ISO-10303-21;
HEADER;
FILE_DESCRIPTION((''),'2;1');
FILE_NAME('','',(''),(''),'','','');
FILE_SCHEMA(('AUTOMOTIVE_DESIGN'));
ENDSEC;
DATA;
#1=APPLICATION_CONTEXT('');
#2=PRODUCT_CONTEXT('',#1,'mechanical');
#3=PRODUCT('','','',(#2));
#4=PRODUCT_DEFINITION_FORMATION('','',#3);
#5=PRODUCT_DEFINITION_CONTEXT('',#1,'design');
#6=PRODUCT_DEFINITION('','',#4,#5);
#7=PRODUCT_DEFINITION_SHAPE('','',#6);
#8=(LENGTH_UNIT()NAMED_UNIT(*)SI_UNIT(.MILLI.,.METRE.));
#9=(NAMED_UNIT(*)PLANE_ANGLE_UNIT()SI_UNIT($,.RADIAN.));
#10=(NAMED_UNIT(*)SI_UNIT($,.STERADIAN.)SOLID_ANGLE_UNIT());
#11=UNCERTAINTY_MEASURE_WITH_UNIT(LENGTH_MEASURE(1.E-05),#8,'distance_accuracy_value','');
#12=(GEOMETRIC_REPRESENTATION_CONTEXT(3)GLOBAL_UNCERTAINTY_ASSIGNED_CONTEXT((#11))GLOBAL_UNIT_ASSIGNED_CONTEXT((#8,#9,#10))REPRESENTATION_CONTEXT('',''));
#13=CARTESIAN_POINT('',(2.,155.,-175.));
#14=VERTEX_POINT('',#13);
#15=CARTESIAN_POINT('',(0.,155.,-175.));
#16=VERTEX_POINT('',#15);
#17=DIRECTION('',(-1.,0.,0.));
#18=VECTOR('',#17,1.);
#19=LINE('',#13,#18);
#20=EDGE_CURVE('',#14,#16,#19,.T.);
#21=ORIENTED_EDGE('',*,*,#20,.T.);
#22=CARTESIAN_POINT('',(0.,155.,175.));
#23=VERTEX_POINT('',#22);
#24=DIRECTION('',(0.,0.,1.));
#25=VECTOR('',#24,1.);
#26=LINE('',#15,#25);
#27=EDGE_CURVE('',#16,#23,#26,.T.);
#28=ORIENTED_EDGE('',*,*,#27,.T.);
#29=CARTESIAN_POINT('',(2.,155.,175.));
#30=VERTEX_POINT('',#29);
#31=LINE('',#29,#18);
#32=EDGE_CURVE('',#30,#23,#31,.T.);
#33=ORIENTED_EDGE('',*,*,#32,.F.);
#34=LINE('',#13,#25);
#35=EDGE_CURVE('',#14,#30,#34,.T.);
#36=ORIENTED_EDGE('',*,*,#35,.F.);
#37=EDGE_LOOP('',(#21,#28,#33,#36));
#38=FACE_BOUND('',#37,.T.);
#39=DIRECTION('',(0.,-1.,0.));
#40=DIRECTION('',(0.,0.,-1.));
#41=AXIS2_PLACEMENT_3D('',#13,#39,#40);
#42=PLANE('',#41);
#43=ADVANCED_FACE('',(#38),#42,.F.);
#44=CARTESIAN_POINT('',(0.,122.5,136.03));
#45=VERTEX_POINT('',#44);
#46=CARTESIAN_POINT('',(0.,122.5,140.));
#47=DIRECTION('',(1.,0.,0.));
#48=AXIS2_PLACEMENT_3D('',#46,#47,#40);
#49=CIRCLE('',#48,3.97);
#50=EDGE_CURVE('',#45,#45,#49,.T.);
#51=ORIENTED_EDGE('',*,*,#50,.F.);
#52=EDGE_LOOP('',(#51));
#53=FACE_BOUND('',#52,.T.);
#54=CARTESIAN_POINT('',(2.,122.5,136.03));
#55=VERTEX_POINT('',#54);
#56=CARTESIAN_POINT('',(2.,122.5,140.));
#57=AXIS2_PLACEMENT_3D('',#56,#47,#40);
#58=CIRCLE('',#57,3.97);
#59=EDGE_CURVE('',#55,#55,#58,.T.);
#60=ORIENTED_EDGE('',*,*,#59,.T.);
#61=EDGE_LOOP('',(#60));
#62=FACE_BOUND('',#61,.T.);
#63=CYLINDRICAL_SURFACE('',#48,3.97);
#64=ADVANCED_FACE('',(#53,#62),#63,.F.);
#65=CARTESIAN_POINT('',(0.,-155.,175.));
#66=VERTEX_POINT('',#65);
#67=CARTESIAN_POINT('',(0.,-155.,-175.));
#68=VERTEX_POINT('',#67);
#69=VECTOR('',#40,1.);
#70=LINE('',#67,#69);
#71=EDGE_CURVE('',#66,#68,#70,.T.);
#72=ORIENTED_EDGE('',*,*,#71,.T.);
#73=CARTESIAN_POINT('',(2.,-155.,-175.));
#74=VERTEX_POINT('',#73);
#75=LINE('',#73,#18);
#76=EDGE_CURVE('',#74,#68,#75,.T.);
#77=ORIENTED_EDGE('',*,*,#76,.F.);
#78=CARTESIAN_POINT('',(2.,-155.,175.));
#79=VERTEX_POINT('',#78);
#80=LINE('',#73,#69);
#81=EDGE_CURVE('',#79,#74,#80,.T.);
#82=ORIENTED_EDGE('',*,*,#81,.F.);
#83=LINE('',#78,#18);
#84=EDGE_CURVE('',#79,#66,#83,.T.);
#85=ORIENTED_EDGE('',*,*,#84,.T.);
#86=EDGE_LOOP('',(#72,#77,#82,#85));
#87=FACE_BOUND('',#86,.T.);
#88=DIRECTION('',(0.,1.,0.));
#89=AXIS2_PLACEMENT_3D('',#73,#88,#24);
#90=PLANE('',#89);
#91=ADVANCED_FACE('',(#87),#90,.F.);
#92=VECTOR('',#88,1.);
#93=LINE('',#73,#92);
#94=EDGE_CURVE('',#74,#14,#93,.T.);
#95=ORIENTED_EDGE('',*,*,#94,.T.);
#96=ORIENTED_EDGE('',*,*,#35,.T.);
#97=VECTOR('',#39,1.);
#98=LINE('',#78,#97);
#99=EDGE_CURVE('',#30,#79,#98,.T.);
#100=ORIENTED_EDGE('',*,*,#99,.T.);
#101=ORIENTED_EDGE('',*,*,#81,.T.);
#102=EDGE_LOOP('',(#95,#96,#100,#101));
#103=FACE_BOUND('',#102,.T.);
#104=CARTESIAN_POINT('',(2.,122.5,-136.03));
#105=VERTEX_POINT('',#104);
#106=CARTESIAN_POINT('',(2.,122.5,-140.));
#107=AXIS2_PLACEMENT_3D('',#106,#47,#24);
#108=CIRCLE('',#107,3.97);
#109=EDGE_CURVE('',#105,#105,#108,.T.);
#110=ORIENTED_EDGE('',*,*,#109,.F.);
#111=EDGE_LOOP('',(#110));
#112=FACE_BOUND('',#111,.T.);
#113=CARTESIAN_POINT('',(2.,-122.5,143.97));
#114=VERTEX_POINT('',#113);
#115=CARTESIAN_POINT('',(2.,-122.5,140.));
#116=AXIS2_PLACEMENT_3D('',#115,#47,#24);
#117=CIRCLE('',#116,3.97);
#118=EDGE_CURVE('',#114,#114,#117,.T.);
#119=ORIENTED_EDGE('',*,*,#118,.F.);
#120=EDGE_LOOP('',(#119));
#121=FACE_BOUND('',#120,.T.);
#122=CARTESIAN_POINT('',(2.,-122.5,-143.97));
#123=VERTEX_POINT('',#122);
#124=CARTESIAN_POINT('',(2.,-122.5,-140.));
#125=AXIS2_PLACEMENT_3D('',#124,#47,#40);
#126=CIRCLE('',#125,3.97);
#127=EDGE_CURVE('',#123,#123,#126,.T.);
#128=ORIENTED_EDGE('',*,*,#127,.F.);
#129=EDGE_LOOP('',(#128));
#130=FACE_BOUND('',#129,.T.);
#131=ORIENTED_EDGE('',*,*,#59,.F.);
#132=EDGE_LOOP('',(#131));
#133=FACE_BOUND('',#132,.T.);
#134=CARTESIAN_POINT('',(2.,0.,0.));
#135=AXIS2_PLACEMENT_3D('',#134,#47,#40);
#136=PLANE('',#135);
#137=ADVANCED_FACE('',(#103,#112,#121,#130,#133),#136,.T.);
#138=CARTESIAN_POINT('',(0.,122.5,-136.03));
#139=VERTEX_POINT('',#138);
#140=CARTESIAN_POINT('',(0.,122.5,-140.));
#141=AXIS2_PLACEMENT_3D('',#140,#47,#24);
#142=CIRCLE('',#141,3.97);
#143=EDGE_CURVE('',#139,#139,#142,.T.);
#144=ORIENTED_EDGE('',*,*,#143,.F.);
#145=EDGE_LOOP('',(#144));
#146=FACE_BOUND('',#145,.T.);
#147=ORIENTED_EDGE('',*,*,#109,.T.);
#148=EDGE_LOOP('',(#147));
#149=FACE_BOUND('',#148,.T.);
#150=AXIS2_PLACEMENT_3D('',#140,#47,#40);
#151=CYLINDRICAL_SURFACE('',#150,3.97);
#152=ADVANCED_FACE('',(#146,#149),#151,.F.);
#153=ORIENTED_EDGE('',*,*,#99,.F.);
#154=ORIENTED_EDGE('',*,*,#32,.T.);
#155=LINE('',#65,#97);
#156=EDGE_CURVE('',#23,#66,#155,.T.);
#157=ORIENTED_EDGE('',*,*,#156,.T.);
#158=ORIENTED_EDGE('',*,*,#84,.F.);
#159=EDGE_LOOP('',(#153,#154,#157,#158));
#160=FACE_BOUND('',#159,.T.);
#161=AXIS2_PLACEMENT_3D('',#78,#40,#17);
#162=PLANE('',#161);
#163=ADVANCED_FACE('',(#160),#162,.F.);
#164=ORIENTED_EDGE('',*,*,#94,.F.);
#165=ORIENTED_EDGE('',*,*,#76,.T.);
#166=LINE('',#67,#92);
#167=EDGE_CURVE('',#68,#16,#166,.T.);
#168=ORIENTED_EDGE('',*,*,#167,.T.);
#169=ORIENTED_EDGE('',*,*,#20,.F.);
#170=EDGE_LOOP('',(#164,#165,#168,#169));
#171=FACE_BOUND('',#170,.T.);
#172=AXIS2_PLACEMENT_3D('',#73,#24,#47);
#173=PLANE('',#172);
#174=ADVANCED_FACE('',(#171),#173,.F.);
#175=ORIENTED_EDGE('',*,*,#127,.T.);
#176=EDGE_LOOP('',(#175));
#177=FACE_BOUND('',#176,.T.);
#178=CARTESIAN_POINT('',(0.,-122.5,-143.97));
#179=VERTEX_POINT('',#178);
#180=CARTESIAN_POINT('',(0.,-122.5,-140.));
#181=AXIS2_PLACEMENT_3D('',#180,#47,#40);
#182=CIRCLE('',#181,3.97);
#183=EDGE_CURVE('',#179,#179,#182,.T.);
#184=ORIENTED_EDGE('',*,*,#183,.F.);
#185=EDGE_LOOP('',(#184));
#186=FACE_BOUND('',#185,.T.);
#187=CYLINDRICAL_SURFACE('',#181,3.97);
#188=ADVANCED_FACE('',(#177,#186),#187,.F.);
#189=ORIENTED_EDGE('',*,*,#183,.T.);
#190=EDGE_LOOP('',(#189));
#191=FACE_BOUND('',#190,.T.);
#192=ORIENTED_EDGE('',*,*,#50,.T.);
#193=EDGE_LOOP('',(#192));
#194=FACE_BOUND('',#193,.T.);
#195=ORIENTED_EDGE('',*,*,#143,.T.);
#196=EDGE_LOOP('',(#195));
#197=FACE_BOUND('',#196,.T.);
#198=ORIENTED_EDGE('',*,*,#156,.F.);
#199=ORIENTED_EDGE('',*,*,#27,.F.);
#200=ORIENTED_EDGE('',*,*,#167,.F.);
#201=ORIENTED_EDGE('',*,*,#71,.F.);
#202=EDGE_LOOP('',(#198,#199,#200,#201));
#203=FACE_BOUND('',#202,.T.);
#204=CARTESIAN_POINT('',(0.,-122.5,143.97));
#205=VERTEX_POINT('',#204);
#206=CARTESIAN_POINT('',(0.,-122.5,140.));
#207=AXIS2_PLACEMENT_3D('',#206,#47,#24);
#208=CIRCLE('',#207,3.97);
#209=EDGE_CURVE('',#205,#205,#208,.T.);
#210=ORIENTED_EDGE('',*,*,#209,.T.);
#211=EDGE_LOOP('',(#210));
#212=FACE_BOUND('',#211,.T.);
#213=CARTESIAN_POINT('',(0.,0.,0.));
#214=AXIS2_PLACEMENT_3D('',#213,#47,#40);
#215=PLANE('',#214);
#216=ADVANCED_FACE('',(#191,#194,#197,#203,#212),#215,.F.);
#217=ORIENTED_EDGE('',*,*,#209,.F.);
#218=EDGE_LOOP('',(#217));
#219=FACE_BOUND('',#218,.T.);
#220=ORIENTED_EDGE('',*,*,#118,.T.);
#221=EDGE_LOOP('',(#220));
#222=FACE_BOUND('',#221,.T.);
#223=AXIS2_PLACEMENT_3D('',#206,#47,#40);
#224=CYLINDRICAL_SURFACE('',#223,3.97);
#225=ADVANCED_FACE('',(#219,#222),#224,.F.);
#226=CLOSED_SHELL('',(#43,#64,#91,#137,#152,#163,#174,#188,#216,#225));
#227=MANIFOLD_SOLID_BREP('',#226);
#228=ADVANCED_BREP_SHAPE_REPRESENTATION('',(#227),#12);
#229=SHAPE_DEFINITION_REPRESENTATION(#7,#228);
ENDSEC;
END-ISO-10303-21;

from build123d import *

# Parameters (mm, degrees)
SKETCH1_W           = 350
SKETCH1_H           = 310
BOSS_EXTRUDE1_DEPTH = 2
SKETCH2_R           = 3.97
CUT_EXTRUDE1_DEPTH  = 234.781949688


with BuildPart() as part:
    # Sketch1 → Boss-Extrude1 (new body)
    with BuildSketch(Plane(origin=(0, 0, 0), x_dir=(0, 0, -1), z_dir=(1, 0, 0))):
        Rectangle(SKETCH1_W, SKETCH1_H)
    extrude(amount=BOSS_EXTRUDE1_DEPTH)

    # Sketch2 → Cut-Extrude1 (cut, through all)
    with BuildSketch(Plane(origin=(2, 0, 0), x_dir=(0, 0, -1), z_dir=(1, 0, 0))):
        with Locations((-140, 122.5)):
            Circle(SKETCH2_R)
        with Locations(Location((-140, -122.5, 0), (0, 0, 180))):
            Circle(SKETCH2_R)
        with Locations((140, -122.5)):
            Circle(SKETCH2_R)
        with Locations(Location((140, 122.5, 0), (0, 0, 180))):
            Circle(SKETCH2_R)
    extrude(amount=-CUT_EXTRUDE1_DEPTH, mode=Mode.SUBTRACT)


solid = part.part
